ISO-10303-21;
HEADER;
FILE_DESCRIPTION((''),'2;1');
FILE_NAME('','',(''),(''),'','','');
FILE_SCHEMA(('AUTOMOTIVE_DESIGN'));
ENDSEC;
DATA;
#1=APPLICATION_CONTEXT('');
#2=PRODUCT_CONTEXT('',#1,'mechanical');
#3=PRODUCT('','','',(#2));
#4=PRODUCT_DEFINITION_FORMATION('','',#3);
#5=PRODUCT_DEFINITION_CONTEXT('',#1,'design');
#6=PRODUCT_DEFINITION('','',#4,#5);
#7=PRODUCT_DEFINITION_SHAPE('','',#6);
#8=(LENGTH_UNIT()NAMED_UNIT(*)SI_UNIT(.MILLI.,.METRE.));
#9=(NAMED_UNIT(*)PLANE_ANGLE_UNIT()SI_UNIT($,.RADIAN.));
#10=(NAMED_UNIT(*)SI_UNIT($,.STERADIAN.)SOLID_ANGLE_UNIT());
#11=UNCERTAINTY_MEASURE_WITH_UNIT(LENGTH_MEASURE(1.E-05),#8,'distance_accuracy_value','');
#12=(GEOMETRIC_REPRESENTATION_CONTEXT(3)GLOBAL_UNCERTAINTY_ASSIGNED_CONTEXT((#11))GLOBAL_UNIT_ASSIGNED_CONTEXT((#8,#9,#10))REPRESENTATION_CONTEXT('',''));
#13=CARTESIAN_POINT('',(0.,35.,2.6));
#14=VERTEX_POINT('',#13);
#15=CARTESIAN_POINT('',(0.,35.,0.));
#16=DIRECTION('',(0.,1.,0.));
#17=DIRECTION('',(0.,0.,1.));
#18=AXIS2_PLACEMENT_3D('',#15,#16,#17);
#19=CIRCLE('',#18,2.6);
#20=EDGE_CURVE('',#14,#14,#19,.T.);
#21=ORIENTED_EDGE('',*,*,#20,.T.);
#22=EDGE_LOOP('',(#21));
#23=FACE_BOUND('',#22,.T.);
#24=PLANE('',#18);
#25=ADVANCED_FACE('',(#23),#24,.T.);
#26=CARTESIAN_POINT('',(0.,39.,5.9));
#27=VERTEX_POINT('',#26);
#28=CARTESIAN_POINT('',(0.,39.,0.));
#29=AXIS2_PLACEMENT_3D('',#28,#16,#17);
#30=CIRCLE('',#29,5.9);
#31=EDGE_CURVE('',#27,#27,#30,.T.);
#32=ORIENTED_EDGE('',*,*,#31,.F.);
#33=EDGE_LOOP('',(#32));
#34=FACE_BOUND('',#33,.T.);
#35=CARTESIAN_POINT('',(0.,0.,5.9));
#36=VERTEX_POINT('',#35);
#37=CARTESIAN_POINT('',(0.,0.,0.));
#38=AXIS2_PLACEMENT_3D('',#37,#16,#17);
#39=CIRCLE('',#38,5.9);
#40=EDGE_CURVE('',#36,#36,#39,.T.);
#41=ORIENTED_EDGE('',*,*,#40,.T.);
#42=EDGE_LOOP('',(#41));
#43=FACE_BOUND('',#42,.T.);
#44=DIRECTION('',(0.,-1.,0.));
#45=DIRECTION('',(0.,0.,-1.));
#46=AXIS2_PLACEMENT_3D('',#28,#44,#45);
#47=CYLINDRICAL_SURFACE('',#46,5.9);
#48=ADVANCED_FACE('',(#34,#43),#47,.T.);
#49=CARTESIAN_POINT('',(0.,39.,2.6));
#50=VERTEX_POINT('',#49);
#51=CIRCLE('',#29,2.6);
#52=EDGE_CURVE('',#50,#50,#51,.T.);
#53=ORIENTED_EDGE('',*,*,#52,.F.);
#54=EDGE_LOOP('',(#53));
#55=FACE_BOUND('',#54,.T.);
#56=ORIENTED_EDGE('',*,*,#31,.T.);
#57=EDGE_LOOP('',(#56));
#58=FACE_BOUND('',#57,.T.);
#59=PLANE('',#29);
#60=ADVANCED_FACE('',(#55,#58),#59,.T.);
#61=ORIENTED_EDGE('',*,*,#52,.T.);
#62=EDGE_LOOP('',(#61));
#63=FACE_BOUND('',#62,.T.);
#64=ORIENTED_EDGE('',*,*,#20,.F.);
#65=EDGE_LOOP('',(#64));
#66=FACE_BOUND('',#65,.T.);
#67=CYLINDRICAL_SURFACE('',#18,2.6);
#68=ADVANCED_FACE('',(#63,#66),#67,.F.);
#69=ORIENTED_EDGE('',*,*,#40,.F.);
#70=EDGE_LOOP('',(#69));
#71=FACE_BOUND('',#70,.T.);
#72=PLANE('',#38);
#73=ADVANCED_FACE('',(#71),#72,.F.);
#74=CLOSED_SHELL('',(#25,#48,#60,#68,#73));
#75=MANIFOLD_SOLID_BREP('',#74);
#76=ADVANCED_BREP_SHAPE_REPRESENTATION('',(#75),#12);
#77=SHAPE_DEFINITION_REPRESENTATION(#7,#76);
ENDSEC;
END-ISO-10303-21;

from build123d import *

# Parameters (mm, degrees)
SKETCH1_R           = 5.9
BOSS_EXTRUDE1_DEPTH = 39
SKETCH2_R           = 2.6
CUT_EXTRUDE1_DEPTH  = 4


with BuildPart() as part:
    # Sketch1 → Boss-Extrude1 (new body)
    with BuildSketch(Plane(origin=(0, 0, 0), x_dir=(1, 0, 0), z_dir=(0, 1, 0))):
        with Locations(Location((0, 0, 0), (0, 0, 270))):
            Circle(SKETCH1_R)
    extrude(amount=BOSS_EXTRUDE1_DEPTH)

    # Sketch2 → Cut-Extrude1 (cut)
    with BuildSketch(Plane(origin=(0, 39, 0), x_dir=(1, 0, 0), z_dir=(0, 1, 0))):
        with Locations(Location((0, 0, 0), (0, 0, 270))):
            Circle(SKETCH2_R)
    extrude(amount=-CUT_EXTRUDE1_DEPTH, mode=Mode.SUBTRACT)


solid = part.part
